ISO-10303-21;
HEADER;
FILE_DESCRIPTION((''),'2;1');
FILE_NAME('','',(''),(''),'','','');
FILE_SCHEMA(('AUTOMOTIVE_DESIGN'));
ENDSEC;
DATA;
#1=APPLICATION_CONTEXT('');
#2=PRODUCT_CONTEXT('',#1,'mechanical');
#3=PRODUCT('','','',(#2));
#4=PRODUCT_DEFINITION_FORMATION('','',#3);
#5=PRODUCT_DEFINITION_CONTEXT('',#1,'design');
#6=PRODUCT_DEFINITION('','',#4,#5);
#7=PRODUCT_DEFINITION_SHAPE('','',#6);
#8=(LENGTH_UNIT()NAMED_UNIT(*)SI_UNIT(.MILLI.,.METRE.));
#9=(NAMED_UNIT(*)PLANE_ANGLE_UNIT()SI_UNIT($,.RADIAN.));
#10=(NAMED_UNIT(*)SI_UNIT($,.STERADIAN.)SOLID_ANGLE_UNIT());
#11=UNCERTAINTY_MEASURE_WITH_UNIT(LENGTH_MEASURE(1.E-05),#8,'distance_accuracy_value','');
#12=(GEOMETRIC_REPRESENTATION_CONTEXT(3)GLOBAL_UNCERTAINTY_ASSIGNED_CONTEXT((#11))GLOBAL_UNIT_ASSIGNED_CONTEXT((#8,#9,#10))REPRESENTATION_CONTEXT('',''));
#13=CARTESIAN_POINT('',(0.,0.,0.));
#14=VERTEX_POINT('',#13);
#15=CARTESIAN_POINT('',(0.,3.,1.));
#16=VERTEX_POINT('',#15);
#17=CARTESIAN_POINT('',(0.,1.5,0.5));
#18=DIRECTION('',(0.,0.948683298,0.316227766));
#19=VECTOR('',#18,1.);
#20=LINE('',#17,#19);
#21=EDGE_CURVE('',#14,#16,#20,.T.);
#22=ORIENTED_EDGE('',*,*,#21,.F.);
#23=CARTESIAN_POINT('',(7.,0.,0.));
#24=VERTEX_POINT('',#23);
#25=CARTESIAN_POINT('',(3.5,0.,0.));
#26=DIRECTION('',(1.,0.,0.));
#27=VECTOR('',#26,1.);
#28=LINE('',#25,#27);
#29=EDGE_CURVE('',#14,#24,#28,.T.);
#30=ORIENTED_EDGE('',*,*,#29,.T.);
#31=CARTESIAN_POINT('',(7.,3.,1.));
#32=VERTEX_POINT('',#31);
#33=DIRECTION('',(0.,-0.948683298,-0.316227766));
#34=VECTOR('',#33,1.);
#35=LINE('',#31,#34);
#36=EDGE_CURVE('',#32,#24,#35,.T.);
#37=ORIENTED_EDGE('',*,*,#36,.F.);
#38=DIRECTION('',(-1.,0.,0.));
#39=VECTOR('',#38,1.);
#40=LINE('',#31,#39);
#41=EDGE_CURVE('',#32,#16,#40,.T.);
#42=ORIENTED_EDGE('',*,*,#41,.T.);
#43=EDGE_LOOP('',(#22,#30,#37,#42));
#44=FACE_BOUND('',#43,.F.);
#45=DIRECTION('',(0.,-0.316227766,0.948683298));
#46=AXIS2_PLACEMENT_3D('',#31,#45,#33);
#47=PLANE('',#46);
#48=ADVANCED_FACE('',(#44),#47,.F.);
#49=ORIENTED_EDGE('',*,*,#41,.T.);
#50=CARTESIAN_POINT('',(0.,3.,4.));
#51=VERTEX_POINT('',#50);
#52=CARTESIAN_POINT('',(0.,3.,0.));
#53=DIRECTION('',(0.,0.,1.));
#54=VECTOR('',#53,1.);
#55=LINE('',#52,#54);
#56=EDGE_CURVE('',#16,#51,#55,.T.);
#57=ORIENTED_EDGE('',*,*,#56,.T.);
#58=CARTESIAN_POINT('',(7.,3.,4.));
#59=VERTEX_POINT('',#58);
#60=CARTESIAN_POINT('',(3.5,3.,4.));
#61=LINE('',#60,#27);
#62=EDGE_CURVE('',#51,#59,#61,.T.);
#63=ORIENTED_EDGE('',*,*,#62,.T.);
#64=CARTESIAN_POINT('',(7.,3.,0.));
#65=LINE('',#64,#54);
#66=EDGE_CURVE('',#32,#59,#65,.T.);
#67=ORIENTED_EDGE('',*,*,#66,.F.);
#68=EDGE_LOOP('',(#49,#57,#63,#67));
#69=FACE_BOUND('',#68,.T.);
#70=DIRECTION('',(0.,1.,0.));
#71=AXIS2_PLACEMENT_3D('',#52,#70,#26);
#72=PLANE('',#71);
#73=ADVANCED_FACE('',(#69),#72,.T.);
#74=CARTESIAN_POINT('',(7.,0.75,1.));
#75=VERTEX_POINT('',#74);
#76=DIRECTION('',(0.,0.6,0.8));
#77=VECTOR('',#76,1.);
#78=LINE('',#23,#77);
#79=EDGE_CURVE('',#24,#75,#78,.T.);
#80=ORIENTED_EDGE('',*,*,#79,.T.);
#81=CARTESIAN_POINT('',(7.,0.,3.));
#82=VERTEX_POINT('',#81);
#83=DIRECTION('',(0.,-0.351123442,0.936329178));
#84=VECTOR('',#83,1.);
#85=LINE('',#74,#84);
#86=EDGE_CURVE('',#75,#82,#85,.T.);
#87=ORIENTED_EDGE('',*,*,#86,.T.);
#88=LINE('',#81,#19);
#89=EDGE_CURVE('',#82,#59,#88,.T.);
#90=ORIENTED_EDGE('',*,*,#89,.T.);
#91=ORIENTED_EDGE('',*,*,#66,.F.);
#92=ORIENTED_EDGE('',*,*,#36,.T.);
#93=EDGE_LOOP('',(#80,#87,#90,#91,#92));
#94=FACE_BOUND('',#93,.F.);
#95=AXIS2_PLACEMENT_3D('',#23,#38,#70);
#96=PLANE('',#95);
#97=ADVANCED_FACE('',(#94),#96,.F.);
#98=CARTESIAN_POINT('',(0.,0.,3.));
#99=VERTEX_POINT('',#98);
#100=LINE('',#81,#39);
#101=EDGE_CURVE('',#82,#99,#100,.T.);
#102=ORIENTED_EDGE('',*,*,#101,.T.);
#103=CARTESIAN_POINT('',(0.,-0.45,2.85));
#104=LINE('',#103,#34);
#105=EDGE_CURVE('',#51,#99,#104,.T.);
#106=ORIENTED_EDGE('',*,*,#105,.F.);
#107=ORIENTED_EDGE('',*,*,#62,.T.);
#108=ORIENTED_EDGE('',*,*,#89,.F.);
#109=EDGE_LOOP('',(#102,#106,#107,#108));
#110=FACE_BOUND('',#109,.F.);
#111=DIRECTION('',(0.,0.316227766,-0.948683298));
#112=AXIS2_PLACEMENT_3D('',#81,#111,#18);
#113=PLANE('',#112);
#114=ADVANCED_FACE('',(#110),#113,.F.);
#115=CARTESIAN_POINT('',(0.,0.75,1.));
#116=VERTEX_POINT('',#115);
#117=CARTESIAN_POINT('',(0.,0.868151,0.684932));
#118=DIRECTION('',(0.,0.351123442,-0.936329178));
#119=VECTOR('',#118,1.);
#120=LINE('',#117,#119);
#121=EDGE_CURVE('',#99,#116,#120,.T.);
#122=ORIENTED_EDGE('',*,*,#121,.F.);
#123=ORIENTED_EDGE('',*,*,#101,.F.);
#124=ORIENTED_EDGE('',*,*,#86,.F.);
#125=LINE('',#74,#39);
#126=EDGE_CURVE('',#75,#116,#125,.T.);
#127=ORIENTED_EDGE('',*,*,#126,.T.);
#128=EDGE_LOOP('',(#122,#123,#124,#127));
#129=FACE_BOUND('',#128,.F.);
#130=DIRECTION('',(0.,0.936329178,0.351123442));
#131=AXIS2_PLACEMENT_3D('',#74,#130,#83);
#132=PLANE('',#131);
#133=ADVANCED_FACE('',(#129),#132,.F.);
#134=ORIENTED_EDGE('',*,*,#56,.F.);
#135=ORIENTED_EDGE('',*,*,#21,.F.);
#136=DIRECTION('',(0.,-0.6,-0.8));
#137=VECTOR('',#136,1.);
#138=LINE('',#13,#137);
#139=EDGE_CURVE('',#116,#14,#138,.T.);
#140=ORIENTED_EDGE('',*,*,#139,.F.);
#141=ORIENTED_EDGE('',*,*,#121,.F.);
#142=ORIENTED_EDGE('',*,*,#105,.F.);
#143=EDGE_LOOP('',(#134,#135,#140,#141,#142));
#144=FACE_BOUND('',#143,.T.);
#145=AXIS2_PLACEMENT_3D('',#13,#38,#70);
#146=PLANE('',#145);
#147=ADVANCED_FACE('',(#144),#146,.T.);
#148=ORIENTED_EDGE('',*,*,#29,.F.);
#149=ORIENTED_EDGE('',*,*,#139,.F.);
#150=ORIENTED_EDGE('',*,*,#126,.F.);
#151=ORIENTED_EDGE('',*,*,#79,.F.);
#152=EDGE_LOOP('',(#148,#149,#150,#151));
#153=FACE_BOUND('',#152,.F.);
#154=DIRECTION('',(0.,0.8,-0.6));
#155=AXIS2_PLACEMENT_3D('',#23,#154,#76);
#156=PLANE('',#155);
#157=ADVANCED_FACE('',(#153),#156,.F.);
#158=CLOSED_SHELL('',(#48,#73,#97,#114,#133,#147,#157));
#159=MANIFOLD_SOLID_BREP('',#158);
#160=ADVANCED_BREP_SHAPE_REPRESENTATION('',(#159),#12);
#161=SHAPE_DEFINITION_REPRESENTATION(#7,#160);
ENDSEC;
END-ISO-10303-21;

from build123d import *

# Parameters (mm, degrees)
F0_W     = 7
F0_H     = 3
F1_DEPTH = 4
F3_DEPTH = 25


with BuildPart() as f1:
    # F0 (on Top) → F1 (new body)
    with BuildSketch(Plane.XY):
        with Locations((3.5, 1.5)):
            Rectangle(F0_W, F0_H)
    extrude(amount=F1_DEPTH)

    # F2 (on face) → F3 (cut)
    with BuildSketch(Plane.YZ.offset(7)):
        Polygon((0, 4), (0, 3), (3, 4), align=None)
        Polygon((0, 3), (0, 0), (0.75, 1), align=None)
        Polygon((3, 1), (0, 0), (3, 0), align=None)
    extrude(amount=-F3_DEPTH, mode=Mode.SUBTRACT)


solid = f1.part
